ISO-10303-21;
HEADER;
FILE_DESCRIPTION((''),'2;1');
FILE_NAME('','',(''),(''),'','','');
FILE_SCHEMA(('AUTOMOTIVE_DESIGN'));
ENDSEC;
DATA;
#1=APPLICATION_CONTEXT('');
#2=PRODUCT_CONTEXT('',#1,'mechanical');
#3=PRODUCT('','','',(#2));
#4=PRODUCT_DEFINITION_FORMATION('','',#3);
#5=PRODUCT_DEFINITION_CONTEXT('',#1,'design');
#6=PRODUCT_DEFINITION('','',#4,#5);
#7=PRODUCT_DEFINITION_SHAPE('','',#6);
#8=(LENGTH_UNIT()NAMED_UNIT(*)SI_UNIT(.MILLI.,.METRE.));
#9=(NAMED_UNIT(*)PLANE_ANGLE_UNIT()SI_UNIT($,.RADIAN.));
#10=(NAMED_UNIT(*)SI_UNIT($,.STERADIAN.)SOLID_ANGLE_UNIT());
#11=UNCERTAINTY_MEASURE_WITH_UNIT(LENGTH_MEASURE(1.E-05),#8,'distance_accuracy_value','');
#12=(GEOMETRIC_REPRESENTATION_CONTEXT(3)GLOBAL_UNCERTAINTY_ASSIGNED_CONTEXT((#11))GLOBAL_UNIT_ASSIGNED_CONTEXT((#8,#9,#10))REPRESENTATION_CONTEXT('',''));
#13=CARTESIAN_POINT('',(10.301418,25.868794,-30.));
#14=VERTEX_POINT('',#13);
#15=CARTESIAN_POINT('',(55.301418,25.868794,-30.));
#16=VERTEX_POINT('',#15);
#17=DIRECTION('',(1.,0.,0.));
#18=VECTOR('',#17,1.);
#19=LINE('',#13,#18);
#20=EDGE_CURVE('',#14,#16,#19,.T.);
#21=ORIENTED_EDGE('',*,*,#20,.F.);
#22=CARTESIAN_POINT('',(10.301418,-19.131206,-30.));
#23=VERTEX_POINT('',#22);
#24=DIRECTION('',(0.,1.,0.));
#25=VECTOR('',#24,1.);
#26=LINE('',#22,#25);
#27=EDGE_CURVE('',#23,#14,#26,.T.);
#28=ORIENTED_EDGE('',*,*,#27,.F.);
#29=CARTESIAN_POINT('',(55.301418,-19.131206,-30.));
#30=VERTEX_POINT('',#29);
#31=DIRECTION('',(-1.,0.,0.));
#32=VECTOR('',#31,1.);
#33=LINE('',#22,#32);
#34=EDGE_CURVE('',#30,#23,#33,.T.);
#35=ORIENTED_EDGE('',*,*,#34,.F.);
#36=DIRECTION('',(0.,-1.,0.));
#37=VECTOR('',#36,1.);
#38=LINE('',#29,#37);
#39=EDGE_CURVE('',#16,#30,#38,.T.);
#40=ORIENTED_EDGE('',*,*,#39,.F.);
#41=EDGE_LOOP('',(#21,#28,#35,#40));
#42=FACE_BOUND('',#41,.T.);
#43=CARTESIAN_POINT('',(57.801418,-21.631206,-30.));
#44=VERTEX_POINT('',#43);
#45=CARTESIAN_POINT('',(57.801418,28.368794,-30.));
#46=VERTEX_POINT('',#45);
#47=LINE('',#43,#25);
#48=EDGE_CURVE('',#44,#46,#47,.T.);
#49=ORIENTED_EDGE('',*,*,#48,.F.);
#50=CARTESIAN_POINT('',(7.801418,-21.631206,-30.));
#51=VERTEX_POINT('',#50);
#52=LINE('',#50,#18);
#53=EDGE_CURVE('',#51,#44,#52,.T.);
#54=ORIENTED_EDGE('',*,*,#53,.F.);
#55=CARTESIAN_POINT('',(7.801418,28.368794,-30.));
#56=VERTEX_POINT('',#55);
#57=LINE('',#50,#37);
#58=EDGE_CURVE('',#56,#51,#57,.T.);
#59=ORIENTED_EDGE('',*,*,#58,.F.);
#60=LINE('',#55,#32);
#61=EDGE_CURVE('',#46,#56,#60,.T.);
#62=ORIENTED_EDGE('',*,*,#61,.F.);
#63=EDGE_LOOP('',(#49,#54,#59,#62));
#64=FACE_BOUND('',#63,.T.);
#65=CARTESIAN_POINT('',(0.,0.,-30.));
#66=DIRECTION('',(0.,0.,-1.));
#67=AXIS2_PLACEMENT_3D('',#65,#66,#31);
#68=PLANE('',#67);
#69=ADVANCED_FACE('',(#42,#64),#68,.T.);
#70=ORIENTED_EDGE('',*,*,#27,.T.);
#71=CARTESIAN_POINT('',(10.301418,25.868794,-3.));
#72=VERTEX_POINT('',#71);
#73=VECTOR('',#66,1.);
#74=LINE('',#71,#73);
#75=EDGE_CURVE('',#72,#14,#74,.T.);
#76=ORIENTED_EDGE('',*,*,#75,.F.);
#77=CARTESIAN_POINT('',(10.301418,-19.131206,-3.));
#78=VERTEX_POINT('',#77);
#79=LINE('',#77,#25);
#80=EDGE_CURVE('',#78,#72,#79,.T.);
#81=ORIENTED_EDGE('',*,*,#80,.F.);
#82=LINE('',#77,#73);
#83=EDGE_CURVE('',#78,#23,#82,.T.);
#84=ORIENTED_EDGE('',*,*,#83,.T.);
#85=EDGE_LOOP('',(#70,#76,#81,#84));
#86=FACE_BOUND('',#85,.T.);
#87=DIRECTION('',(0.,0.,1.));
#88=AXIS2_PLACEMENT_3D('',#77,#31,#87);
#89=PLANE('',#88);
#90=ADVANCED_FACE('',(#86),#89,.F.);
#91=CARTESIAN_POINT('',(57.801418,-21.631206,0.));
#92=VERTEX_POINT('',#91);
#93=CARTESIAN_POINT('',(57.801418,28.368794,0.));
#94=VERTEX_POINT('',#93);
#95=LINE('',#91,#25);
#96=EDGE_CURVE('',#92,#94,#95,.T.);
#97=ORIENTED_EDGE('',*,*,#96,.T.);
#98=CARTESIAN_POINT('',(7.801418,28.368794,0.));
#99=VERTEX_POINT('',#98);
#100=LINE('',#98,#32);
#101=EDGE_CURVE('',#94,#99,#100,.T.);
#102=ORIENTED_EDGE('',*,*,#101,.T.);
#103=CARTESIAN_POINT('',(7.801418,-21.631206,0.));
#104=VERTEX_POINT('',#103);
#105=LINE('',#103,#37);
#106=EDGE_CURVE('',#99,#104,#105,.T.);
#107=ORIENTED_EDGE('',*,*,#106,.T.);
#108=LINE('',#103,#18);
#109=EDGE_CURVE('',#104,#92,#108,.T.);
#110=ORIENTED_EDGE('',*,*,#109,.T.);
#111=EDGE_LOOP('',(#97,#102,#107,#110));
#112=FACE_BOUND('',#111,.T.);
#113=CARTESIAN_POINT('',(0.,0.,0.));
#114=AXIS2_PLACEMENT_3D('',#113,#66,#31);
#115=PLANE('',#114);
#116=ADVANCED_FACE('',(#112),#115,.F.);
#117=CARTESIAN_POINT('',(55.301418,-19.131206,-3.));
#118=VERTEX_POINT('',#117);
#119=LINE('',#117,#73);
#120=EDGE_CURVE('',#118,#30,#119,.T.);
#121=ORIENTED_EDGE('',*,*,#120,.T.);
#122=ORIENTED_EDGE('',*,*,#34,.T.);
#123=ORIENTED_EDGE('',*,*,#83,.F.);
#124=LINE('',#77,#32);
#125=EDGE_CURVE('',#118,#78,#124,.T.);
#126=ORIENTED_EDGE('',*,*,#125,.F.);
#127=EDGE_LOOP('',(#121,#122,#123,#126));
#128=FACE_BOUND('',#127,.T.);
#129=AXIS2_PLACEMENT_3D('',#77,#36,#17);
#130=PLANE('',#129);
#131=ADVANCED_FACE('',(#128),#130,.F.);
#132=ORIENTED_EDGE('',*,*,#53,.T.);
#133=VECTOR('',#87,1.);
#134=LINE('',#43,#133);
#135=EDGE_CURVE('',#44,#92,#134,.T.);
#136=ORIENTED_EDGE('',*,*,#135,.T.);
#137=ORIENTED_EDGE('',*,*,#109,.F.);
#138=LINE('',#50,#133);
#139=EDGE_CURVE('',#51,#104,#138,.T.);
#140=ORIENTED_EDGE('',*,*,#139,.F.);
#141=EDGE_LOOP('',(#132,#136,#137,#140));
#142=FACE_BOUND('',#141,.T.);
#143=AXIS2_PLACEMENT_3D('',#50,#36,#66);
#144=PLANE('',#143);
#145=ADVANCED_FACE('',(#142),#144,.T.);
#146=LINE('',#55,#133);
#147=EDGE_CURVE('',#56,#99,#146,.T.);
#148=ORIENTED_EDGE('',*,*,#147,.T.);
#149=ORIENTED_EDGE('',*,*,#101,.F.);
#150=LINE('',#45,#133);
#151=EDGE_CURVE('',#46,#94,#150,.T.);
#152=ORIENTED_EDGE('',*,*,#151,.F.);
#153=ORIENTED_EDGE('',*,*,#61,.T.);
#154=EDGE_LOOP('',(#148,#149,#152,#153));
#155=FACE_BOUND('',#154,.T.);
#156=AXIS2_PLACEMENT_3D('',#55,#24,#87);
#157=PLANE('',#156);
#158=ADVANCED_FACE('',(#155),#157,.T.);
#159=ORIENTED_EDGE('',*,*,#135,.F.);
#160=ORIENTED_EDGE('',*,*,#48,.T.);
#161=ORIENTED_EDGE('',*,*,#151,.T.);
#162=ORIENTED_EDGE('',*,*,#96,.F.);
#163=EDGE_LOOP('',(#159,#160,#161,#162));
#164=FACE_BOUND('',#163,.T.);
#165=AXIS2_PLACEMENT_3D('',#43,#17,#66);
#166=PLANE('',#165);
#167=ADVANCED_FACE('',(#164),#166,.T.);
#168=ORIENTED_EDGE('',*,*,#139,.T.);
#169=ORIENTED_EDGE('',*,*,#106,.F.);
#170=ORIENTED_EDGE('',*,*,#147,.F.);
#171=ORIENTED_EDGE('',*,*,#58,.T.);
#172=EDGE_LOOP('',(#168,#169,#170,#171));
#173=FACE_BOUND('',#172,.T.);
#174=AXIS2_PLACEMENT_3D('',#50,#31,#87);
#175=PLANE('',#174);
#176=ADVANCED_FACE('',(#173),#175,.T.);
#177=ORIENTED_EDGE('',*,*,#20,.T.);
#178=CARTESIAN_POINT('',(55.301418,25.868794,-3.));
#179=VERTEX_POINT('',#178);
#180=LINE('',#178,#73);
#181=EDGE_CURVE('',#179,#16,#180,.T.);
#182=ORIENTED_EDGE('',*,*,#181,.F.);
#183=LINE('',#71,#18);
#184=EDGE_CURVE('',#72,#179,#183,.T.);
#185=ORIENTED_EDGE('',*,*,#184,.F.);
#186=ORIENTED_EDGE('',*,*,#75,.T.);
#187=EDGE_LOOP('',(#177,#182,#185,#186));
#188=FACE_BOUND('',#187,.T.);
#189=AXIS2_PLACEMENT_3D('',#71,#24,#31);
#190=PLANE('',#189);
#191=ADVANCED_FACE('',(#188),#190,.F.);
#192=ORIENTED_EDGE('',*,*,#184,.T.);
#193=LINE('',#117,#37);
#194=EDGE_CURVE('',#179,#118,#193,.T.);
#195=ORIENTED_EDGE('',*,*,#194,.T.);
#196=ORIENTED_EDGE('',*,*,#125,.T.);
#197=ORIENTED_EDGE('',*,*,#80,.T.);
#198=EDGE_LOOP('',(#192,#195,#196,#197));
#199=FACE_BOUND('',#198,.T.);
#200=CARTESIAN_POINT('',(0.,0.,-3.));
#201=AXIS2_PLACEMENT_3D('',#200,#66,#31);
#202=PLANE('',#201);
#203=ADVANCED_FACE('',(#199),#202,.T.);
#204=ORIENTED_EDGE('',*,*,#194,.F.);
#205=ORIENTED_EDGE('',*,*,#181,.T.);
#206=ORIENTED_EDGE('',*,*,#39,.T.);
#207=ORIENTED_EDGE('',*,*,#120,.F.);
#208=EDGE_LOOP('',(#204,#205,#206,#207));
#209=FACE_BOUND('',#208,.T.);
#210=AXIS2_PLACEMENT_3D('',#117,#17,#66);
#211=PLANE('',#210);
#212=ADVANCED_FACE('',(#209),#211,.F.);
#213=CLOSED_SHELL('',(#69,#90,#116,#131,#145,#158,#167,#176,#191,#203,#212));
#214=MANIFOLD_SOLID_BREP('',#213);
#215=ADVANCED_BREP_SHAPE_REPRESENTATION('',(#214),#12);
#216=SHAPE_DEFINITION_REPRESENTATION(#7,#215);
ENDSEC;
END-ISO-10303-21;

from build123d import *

# Parameters (mm, degrees)
SKETCH2_W           = 50
SKETCH2_H           = 50
BOSS_EXTRUDE2_DEPTH = 30
SKETCH3_W           = 45
SKETCH3_H           = 45
CUT_EXTRUDE1_DEPTH  = 27


with BuildPart() as part:
    # Sketch2 → Boss-Extrude2 (new body)
    with BuildSketch(Plane.XY):
        with Locations((32.80141844, 3.368794326)):
            Rectangle(SKETCH2_W, SKETCH2_H)
    extrude(amount=-BOSS_EXTRUDE2_DEPTH)

    # Sketch3 → Cut-Extrude1 (cut)
    with BuildSketch(Plane(origin=(0, 0, -30), x_dir=(-1, 0, 0), z_dir=(0, 0, -1))):
        with Locations((-32.80141844, 3.368794326)):
            Rectangle(SKETCH3_W, SKETCH3_H)
    extrude(amount=-CUT_EXTRUDE1_DEPTH, mode=Mode.SUBTRACT)


solid = part.part
